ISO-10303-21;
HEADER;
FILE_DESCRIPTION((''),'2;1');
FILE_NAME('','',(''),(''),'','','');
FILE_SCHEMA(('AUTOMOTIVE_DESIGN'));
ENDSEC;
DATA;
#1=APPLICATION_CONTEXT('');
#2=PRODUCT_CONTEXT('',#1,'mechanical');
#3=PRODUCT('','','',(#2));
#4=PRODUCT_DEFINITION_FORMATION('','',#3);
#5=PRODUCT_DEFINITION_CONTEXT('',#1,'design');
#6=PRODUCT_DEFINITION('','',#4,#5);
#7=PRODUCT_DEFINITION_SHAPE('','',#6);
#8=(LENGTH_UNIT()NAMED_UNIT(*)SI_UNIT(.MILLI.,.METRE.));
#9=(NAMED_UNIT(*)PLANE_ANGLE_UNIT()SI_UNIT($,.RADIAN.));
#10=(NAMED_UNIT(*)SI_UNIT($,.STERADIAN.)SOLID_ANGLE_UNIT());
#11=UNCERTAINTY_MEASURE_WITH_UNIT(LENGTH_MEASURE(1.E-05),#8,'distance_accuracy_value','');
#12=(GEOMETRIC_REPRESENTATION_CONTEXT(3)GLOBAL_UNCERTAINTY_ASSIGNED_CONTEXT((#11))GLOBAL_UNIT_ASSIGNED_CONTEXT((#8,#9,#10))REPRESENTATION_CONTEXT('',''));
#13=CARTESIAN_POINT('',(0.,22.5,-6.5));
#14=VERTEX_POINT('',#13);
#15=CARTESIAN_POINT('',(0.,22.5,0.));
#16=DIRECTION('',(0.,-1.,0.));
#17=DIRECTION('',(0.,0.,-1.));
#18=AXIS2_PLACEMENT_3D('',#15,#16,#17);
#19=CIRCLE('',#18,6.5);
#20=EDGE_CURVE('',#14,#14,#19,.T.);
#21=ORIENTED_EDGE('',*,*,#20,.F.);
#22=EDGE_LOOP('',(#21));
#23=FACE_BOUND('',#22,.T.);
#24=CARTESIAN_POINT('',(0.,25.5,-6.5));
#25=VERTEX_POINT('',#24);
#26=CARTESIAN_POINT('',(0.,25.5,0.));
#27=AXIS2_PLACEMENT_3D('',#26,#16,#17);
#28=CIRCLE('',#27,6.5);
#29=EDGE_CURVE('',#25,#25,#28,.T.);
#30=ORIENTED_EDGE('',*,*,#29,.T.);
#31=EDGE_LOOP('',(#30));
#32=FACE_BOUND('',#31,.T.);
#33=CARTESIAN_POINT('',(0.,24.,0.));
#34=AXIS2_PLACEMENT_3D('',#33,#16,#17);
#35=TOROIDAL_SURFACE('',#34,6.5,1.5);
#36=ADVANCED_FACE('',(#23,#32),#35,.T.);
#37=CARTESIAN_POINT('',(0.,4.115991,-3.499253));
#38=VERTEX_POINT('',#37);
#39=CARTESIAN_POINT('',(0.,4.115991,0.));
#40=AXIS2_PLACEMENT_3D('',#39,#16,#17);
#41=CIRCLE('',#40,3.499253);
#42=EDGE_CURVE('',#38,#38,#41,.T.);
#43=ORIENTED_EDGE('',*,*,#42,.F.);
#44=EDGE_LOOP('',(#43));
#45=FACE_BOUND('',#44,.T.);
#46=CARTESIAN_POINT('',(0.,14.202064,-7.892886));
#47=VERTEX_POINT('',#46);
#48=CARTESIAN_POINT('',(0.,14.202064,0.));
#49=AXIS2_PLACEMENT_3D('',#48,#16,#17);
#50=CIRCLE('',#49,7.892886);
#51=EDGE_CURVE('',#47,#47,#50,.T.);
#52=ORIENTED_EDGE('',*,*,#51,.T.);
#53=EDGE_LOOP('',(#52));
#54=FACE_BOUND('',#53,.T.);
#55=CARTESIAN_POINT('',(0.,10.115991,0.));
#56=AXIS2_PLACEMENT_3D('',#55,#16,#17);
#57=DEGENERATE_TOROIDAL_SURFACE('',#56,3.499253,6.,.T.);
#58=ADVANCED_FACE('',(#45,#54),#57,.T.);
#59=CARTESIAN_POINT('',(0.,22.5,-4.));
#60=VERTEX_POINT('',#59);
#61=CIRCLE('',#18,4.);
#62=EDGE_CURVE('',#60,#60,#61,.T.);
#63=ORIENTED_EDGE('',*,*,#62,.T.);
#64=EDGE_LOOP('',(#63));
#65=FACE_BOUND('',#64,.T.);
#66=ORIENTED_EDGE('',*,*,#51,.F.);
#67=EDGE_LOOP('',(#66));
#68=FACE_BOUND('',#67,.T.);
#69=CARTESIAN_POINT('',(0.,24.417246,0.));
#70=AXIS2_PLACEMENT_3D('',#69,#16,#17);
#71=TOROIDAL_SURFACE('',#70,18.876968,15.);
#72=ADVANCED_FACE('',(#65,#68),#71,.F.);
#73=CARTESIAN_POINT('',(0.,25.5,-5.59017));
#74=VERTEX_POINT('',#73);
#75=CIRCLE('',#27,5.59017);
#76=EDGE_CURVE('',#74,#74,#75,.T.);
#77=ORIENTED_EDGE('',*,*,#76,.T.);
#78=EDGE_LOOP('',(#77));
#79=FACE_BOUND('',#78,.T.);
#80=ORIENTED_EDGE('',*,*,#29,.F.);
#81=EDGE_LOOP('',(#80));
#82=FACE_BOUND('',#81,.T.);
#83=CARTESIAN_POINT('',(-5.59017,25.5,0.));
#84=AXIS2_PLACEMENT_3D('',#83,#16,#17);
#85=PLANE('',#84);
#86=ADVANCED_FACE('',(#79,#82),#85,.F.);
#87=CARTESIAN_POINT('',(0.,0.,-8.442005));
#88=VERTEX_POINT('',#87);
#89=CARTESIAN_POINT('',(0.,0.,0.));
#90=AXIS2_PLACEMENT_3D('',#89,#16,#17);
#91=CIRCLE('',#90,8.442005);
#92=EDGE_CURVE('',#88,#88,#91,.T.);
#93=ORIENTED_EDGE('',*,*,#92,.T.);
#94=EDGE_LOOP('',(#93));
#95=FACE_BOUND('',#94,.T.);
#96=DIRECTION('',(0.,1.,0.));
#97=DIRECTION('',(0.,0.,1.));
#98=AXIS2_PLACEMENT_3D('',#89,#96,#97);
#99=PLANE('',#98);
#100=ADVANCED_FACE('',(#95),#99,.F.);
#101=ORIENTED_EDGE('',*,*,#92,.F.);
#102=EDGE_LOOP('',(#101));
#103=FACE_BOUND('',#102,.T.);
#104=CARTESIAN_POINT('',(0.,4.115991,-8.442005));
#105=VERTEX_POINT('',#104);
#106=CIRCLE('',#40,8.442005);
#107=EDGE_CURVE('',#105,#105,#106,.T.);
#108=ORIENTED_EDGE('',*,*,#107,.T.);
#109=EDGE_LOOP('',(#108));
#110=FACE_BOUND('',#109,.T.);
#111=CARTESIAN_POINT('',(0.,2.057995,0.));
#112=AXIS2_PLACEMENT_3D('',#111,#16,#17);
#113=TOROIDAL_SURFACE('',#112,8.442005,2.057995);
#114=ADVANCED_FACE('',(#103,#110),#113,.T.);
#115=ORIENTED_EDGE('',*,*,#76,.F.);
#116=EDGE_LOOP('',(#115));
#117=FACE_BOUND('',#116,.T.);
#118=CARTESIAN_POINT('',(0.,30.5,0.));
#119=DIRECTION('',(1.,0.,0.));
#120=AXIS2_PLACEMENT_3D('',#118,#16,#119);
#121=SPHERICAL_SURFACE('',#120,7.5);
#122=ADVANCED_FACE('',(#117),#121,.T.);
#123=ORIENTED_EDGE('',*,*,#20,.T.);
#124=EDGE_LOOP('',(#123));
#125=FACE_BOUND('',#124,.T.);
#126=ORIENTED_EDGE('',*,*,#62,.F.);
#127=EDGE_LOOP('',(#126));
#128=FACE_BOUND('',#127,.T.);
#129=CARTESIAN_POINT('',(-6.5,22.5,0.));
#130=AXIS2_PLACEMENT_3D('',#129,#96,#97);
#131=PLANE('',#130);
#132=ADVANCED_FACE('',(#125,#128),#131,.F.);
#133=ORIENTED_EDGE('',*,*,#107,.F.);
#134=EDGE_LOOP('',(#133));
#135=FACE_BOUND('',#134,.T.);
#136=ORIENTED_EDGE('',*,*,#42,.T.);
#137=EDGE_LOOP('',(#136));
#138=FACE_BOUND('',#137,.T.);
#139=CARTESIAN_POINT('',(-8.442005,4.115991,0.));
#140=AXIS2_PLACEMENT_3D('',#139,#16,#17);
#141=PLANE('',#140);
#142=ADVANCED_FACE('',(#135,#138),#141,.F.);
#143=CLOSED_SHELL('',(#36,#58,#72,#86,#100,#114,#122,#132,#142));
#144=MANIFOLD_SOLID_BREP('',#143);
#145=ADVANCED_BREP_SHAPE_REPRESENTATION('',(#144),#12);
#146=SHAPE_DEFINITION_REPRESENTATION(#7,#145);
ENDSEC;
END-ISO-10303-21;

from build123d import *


with BuildPart() as part:
    # Sketch3 → Revolve1 (revolve)
    with BuildSketch(Plane.XY, mode=Mode.PRIVATE) as revolve1_sk:
        with BuildLine():
            Line((-5.590169944, 25.5), (-6.5, 25.5))
            ThreePointArc((-6.5, 25.5), (-8, 24), (-6.5, 22.5))
            Line((-6.5, 22.5), (-4, 22.5))
            ThreePointArc((-4, 22.5), (-5.297114623, 18.046406572), (-7.892885737, 14.202063572))
            ThreePointArc((-7.892885737, 14.202063572), (-9, 7.719789286), (-3.499252929, 4.115990794))
            Line((-3.499252929, 4.115990794), (-8.442004603, 4.115990794))
            ThreePointArc((-8.442004603, 4.115990794), (-10.5, 2.057995397), (-8.442004603, 0))
            Line((-8.442004603, 0), (0, 0))
            Line((0, 0), (0, 38))
            ThreePointArc((0, 38), (-6.846531969, 33.561862178), (-5.590169944, 25.5))
        make_face()
    revolve(revolve1_sk.sketch.rotate(Axis((0, 0, 0), (0, 1, 0)), 270), axis=Axis((0, 0, 0), (0, 1, 0)))


solid = part.part
